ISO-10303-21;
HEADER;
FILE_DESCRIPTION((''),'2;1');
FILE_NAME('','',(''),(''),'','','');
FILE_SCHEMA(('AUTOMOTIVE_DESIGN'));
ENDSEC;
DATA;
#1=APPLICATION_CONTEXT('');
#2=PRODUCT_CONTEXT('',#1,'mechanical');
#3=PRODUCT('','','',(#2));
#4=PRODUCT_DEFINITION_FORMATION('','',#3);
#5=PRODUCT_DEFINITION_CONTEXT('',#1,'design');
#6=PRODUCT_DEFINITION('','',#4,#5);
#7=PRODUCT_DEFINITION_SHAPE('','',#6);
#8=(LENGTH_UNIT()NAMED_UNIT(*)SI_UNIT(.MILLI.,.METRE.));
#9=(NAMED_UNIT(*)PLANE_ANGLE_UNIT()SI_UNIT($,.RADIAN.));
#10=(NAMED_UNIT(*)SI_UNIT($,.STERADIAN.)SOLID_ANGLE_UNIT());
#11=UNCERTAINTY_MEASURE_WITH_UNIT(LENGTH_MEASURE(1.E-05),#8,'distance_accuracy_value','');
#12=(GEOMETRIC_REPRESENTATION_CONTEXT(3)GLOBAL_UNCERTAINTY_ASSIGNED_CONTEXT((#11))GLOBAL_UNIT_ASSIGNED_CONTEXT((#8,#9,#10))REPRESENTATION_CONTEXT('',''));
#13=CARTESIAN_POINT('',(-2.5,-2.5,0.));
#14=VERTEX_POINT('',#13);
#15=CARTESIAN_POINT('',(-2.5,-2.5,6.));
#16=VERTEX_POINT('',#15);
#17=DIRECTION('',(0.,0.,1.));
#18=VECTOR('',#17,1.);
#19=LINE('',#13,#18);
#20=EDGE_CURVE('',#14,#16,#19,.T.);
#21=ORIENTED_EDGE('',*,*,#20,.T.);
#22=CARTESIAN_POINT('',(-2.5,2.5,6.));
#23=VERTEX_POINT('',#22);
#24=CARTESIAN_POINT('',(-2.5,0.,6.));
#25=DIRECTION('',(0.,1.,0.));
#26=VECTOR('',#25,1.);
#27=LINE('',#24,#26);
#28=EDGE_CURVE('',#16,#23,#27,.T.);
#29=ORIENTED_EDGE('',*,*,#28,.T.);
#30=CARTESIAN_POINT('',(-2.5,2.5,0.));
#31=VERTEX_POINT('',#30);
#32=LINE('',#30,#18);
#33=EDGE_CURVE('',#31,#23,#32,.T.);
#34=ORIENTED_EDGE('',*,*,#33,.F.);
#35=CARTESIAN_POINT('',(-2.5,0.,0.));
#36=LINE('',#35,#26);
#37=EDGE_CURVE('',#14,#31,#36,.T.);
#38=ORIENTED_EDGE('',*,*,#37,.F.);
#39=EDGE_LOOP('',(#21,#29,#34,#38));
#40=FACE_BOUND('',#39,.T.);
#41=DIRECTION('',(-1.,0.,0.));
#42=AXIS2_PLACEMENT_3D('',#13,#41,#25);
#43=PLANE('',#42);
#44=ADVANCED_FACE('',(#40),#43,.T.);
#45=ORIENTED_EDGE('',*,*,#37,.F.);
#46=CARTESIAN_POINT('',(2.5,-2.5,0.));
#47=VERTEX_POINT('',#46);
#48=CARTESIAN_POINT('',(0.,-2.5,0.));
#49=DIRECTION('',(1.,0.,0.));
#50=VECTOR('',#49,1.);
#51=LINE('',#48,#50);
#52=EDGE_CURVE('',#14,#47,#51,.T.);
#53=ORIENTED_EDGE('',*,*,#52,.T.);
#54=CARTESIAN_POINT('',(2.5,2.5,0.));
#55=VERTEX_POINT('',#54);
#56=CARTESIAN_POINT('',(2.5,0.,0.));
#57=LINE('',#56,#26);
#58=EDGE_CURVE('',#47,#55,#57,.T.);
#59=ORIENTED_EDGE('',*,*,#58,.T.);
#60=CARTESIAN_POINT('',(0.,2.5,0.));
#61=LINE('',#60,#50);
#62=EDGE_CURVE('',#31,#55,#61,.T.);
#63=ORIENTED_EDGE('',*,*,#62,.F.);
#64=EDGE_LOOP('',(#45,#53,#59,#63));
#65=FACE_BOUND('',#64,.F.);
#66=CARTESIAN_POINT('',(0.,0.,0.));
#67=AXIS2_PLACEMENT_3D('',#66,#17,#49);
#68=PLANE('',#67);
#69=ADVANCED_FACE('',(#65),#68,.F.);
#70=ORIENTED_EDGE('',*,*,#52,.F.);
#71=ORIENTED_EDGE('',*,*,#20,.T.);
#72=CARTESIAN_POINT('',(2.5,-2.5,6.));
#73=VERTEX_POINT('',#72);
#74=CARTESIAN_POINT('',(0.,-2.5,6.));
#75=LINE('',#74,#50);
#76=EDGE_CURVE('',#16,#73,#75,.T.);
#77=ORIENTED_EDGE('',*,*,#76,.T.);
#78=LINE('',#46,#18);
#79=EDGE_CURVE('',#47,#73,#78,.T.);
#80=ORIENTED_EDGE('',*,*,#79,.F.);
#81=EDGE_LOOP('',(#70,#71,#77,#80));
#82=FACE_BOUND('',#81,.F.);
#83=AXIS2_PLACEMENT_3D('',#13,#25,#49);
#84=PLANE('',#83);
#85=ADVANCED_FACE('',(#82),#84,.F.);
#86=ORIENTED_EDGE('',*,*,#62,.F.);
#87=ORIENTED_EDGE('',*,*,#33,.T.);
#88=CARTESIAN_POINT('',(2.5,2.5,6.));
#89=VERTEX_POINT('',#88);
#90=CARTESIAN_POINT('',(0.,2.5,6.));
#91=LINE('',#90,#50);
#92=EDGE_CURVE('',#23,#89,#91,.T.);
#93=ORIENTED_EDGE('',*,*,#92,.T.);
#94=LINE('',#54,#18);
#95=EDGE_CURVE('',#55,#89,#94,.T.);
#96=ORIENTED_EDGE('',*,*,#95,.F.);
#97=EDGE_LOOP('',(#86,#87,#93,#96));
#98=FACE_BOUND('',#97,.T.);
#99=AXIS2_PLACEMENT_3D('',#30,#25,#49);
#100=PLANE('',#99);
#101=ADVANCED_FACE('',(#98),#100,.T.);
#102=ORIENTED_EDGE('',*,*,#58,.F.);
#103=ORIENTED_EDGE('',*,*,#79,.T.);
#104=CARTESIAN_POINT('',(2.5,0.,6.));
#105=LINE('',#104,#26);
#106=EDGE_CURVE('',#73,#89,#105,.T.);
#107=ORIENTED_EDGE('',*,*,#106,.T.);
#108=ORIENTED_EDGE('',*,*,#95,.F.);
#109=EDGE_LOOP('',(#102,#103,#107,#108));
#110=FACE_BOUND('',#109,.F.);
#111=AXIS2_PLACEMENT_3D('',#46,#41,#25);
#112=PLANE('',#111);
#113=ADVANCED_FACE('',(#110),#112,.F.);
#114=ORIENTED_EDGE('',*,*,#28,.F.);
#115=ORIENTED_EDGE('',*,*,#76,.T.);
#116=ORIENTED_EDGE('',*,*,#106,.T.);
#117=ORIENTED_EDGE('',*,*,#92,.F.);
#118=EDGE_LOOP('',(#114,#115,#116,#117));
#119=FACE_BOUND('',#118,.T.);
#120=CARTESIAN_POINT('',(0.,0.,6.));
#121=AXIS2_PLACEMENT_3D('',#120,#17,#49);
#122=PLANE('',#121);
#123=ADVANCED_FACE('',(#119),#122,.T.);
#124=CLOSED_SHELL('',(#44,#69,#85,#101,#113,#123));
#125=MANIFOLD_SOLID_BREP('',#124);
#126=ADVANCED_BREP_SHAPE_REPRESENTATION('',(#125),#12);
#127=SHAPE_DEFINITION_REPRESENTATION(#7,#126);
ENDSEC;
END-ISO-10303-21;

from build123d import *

# Parameters (mm, degrees)
SKETCH1_W           = 5
SKETCH1_H           = 5
BOSS_EXTRUDE1_DEPTH = 6


with BuildPart() as part:
    # Sketch1 → Boss-Extrude1 (new body)
    with BuildSketch(Plane.XY):
        Rectangle(SKETCH1_W, SKETCH1_H)
    extrude(amount=BOSS_EXTRUDE1_DEPTH)


solid = part.part
